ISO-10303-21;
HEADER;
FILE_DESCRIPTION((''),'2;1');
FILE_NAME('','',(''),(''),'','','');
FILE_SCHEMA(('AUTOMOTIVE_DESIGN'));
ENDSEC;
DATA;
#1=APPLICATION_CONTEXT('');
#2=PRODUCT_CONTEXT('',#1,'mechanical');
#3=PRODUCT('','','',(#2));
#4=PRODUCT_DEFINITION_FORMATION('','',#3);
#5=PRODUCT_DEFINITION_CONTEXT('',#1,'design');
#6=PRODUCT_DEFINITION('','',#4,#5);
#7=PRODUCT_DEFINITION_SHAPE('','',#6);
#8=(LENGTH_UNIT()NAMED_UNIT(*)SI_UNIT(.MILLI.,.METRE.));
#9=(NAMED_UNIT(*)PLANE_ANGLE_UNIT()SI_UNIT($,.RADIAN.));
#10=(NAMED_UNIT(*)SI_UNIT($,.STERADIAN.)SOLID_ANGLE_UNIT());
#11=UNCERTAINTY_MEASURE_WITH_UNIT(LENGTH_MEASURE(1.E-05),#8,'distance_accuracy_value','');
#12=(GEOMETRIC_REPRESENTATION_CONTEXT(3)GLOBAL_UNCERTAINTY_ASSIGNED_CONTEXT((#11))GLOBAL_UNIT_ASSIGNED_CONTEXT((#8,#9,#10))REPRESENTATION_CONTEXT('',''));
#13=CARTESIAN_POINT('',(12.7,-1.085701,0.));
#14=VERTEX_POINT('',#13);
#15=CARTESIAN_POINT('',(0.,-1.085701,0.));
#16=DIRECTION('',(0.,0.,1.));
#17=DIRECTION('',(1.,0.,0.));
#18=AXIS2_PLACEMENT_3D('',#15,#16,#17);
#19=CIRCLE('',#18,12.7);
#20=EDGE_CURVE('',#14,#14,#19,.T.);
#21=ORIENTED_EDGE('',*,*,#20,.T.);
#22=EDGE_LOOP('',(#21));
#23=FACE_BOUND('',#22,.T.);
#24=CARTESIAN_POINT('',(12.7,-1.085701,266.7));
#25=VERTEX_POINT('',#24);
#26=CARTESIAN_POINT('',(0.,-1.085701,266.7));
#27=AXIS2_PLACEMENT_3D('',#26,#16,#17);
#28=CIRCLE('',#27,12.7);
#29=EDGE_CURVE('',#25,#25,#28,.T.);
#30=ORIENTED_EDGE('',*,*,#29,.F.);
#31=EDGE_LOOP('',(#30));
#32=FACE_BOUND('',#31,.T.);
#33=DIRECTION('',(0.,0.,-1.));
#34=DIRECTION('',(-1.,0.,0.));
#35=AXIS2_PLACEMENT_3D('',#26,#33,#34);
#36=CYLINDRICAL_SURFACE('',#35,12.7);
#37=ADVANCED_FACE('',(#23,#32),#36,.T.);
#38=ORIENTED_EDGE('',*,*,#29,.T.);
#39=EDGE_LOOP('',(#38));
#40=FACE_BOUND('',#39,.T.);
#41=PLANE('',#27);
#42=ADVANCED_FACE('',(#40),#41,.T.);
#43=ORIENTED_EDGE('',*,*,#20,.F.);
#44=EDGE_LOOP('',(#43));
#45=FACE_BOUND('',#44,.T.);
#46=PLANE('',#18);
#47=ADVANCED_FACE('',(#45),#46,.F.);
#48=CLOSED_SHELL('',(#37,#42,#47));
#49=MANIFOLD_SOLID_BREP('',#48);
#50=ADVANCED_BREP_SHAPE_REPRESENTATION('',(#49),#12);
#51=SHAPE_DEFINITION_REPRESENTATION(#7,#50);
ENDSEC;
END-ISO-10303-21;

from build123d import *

# Parameters (mm, degrees)
SKETCH1_R           = 12.7
BOSS_EXTRUDE1_DEPTH = 266.7


with BuildPart() as part:
    # Sketch1 → Boss-Extrude1 (new body)
    with BuildSketch(Plane.XY):
        with Locations((0, -1.085701036)):
            Circle(SKETCH1_R)
    extrude(amount=BOSS_EXTRUDE1_DEPTH)


solid = part.part
